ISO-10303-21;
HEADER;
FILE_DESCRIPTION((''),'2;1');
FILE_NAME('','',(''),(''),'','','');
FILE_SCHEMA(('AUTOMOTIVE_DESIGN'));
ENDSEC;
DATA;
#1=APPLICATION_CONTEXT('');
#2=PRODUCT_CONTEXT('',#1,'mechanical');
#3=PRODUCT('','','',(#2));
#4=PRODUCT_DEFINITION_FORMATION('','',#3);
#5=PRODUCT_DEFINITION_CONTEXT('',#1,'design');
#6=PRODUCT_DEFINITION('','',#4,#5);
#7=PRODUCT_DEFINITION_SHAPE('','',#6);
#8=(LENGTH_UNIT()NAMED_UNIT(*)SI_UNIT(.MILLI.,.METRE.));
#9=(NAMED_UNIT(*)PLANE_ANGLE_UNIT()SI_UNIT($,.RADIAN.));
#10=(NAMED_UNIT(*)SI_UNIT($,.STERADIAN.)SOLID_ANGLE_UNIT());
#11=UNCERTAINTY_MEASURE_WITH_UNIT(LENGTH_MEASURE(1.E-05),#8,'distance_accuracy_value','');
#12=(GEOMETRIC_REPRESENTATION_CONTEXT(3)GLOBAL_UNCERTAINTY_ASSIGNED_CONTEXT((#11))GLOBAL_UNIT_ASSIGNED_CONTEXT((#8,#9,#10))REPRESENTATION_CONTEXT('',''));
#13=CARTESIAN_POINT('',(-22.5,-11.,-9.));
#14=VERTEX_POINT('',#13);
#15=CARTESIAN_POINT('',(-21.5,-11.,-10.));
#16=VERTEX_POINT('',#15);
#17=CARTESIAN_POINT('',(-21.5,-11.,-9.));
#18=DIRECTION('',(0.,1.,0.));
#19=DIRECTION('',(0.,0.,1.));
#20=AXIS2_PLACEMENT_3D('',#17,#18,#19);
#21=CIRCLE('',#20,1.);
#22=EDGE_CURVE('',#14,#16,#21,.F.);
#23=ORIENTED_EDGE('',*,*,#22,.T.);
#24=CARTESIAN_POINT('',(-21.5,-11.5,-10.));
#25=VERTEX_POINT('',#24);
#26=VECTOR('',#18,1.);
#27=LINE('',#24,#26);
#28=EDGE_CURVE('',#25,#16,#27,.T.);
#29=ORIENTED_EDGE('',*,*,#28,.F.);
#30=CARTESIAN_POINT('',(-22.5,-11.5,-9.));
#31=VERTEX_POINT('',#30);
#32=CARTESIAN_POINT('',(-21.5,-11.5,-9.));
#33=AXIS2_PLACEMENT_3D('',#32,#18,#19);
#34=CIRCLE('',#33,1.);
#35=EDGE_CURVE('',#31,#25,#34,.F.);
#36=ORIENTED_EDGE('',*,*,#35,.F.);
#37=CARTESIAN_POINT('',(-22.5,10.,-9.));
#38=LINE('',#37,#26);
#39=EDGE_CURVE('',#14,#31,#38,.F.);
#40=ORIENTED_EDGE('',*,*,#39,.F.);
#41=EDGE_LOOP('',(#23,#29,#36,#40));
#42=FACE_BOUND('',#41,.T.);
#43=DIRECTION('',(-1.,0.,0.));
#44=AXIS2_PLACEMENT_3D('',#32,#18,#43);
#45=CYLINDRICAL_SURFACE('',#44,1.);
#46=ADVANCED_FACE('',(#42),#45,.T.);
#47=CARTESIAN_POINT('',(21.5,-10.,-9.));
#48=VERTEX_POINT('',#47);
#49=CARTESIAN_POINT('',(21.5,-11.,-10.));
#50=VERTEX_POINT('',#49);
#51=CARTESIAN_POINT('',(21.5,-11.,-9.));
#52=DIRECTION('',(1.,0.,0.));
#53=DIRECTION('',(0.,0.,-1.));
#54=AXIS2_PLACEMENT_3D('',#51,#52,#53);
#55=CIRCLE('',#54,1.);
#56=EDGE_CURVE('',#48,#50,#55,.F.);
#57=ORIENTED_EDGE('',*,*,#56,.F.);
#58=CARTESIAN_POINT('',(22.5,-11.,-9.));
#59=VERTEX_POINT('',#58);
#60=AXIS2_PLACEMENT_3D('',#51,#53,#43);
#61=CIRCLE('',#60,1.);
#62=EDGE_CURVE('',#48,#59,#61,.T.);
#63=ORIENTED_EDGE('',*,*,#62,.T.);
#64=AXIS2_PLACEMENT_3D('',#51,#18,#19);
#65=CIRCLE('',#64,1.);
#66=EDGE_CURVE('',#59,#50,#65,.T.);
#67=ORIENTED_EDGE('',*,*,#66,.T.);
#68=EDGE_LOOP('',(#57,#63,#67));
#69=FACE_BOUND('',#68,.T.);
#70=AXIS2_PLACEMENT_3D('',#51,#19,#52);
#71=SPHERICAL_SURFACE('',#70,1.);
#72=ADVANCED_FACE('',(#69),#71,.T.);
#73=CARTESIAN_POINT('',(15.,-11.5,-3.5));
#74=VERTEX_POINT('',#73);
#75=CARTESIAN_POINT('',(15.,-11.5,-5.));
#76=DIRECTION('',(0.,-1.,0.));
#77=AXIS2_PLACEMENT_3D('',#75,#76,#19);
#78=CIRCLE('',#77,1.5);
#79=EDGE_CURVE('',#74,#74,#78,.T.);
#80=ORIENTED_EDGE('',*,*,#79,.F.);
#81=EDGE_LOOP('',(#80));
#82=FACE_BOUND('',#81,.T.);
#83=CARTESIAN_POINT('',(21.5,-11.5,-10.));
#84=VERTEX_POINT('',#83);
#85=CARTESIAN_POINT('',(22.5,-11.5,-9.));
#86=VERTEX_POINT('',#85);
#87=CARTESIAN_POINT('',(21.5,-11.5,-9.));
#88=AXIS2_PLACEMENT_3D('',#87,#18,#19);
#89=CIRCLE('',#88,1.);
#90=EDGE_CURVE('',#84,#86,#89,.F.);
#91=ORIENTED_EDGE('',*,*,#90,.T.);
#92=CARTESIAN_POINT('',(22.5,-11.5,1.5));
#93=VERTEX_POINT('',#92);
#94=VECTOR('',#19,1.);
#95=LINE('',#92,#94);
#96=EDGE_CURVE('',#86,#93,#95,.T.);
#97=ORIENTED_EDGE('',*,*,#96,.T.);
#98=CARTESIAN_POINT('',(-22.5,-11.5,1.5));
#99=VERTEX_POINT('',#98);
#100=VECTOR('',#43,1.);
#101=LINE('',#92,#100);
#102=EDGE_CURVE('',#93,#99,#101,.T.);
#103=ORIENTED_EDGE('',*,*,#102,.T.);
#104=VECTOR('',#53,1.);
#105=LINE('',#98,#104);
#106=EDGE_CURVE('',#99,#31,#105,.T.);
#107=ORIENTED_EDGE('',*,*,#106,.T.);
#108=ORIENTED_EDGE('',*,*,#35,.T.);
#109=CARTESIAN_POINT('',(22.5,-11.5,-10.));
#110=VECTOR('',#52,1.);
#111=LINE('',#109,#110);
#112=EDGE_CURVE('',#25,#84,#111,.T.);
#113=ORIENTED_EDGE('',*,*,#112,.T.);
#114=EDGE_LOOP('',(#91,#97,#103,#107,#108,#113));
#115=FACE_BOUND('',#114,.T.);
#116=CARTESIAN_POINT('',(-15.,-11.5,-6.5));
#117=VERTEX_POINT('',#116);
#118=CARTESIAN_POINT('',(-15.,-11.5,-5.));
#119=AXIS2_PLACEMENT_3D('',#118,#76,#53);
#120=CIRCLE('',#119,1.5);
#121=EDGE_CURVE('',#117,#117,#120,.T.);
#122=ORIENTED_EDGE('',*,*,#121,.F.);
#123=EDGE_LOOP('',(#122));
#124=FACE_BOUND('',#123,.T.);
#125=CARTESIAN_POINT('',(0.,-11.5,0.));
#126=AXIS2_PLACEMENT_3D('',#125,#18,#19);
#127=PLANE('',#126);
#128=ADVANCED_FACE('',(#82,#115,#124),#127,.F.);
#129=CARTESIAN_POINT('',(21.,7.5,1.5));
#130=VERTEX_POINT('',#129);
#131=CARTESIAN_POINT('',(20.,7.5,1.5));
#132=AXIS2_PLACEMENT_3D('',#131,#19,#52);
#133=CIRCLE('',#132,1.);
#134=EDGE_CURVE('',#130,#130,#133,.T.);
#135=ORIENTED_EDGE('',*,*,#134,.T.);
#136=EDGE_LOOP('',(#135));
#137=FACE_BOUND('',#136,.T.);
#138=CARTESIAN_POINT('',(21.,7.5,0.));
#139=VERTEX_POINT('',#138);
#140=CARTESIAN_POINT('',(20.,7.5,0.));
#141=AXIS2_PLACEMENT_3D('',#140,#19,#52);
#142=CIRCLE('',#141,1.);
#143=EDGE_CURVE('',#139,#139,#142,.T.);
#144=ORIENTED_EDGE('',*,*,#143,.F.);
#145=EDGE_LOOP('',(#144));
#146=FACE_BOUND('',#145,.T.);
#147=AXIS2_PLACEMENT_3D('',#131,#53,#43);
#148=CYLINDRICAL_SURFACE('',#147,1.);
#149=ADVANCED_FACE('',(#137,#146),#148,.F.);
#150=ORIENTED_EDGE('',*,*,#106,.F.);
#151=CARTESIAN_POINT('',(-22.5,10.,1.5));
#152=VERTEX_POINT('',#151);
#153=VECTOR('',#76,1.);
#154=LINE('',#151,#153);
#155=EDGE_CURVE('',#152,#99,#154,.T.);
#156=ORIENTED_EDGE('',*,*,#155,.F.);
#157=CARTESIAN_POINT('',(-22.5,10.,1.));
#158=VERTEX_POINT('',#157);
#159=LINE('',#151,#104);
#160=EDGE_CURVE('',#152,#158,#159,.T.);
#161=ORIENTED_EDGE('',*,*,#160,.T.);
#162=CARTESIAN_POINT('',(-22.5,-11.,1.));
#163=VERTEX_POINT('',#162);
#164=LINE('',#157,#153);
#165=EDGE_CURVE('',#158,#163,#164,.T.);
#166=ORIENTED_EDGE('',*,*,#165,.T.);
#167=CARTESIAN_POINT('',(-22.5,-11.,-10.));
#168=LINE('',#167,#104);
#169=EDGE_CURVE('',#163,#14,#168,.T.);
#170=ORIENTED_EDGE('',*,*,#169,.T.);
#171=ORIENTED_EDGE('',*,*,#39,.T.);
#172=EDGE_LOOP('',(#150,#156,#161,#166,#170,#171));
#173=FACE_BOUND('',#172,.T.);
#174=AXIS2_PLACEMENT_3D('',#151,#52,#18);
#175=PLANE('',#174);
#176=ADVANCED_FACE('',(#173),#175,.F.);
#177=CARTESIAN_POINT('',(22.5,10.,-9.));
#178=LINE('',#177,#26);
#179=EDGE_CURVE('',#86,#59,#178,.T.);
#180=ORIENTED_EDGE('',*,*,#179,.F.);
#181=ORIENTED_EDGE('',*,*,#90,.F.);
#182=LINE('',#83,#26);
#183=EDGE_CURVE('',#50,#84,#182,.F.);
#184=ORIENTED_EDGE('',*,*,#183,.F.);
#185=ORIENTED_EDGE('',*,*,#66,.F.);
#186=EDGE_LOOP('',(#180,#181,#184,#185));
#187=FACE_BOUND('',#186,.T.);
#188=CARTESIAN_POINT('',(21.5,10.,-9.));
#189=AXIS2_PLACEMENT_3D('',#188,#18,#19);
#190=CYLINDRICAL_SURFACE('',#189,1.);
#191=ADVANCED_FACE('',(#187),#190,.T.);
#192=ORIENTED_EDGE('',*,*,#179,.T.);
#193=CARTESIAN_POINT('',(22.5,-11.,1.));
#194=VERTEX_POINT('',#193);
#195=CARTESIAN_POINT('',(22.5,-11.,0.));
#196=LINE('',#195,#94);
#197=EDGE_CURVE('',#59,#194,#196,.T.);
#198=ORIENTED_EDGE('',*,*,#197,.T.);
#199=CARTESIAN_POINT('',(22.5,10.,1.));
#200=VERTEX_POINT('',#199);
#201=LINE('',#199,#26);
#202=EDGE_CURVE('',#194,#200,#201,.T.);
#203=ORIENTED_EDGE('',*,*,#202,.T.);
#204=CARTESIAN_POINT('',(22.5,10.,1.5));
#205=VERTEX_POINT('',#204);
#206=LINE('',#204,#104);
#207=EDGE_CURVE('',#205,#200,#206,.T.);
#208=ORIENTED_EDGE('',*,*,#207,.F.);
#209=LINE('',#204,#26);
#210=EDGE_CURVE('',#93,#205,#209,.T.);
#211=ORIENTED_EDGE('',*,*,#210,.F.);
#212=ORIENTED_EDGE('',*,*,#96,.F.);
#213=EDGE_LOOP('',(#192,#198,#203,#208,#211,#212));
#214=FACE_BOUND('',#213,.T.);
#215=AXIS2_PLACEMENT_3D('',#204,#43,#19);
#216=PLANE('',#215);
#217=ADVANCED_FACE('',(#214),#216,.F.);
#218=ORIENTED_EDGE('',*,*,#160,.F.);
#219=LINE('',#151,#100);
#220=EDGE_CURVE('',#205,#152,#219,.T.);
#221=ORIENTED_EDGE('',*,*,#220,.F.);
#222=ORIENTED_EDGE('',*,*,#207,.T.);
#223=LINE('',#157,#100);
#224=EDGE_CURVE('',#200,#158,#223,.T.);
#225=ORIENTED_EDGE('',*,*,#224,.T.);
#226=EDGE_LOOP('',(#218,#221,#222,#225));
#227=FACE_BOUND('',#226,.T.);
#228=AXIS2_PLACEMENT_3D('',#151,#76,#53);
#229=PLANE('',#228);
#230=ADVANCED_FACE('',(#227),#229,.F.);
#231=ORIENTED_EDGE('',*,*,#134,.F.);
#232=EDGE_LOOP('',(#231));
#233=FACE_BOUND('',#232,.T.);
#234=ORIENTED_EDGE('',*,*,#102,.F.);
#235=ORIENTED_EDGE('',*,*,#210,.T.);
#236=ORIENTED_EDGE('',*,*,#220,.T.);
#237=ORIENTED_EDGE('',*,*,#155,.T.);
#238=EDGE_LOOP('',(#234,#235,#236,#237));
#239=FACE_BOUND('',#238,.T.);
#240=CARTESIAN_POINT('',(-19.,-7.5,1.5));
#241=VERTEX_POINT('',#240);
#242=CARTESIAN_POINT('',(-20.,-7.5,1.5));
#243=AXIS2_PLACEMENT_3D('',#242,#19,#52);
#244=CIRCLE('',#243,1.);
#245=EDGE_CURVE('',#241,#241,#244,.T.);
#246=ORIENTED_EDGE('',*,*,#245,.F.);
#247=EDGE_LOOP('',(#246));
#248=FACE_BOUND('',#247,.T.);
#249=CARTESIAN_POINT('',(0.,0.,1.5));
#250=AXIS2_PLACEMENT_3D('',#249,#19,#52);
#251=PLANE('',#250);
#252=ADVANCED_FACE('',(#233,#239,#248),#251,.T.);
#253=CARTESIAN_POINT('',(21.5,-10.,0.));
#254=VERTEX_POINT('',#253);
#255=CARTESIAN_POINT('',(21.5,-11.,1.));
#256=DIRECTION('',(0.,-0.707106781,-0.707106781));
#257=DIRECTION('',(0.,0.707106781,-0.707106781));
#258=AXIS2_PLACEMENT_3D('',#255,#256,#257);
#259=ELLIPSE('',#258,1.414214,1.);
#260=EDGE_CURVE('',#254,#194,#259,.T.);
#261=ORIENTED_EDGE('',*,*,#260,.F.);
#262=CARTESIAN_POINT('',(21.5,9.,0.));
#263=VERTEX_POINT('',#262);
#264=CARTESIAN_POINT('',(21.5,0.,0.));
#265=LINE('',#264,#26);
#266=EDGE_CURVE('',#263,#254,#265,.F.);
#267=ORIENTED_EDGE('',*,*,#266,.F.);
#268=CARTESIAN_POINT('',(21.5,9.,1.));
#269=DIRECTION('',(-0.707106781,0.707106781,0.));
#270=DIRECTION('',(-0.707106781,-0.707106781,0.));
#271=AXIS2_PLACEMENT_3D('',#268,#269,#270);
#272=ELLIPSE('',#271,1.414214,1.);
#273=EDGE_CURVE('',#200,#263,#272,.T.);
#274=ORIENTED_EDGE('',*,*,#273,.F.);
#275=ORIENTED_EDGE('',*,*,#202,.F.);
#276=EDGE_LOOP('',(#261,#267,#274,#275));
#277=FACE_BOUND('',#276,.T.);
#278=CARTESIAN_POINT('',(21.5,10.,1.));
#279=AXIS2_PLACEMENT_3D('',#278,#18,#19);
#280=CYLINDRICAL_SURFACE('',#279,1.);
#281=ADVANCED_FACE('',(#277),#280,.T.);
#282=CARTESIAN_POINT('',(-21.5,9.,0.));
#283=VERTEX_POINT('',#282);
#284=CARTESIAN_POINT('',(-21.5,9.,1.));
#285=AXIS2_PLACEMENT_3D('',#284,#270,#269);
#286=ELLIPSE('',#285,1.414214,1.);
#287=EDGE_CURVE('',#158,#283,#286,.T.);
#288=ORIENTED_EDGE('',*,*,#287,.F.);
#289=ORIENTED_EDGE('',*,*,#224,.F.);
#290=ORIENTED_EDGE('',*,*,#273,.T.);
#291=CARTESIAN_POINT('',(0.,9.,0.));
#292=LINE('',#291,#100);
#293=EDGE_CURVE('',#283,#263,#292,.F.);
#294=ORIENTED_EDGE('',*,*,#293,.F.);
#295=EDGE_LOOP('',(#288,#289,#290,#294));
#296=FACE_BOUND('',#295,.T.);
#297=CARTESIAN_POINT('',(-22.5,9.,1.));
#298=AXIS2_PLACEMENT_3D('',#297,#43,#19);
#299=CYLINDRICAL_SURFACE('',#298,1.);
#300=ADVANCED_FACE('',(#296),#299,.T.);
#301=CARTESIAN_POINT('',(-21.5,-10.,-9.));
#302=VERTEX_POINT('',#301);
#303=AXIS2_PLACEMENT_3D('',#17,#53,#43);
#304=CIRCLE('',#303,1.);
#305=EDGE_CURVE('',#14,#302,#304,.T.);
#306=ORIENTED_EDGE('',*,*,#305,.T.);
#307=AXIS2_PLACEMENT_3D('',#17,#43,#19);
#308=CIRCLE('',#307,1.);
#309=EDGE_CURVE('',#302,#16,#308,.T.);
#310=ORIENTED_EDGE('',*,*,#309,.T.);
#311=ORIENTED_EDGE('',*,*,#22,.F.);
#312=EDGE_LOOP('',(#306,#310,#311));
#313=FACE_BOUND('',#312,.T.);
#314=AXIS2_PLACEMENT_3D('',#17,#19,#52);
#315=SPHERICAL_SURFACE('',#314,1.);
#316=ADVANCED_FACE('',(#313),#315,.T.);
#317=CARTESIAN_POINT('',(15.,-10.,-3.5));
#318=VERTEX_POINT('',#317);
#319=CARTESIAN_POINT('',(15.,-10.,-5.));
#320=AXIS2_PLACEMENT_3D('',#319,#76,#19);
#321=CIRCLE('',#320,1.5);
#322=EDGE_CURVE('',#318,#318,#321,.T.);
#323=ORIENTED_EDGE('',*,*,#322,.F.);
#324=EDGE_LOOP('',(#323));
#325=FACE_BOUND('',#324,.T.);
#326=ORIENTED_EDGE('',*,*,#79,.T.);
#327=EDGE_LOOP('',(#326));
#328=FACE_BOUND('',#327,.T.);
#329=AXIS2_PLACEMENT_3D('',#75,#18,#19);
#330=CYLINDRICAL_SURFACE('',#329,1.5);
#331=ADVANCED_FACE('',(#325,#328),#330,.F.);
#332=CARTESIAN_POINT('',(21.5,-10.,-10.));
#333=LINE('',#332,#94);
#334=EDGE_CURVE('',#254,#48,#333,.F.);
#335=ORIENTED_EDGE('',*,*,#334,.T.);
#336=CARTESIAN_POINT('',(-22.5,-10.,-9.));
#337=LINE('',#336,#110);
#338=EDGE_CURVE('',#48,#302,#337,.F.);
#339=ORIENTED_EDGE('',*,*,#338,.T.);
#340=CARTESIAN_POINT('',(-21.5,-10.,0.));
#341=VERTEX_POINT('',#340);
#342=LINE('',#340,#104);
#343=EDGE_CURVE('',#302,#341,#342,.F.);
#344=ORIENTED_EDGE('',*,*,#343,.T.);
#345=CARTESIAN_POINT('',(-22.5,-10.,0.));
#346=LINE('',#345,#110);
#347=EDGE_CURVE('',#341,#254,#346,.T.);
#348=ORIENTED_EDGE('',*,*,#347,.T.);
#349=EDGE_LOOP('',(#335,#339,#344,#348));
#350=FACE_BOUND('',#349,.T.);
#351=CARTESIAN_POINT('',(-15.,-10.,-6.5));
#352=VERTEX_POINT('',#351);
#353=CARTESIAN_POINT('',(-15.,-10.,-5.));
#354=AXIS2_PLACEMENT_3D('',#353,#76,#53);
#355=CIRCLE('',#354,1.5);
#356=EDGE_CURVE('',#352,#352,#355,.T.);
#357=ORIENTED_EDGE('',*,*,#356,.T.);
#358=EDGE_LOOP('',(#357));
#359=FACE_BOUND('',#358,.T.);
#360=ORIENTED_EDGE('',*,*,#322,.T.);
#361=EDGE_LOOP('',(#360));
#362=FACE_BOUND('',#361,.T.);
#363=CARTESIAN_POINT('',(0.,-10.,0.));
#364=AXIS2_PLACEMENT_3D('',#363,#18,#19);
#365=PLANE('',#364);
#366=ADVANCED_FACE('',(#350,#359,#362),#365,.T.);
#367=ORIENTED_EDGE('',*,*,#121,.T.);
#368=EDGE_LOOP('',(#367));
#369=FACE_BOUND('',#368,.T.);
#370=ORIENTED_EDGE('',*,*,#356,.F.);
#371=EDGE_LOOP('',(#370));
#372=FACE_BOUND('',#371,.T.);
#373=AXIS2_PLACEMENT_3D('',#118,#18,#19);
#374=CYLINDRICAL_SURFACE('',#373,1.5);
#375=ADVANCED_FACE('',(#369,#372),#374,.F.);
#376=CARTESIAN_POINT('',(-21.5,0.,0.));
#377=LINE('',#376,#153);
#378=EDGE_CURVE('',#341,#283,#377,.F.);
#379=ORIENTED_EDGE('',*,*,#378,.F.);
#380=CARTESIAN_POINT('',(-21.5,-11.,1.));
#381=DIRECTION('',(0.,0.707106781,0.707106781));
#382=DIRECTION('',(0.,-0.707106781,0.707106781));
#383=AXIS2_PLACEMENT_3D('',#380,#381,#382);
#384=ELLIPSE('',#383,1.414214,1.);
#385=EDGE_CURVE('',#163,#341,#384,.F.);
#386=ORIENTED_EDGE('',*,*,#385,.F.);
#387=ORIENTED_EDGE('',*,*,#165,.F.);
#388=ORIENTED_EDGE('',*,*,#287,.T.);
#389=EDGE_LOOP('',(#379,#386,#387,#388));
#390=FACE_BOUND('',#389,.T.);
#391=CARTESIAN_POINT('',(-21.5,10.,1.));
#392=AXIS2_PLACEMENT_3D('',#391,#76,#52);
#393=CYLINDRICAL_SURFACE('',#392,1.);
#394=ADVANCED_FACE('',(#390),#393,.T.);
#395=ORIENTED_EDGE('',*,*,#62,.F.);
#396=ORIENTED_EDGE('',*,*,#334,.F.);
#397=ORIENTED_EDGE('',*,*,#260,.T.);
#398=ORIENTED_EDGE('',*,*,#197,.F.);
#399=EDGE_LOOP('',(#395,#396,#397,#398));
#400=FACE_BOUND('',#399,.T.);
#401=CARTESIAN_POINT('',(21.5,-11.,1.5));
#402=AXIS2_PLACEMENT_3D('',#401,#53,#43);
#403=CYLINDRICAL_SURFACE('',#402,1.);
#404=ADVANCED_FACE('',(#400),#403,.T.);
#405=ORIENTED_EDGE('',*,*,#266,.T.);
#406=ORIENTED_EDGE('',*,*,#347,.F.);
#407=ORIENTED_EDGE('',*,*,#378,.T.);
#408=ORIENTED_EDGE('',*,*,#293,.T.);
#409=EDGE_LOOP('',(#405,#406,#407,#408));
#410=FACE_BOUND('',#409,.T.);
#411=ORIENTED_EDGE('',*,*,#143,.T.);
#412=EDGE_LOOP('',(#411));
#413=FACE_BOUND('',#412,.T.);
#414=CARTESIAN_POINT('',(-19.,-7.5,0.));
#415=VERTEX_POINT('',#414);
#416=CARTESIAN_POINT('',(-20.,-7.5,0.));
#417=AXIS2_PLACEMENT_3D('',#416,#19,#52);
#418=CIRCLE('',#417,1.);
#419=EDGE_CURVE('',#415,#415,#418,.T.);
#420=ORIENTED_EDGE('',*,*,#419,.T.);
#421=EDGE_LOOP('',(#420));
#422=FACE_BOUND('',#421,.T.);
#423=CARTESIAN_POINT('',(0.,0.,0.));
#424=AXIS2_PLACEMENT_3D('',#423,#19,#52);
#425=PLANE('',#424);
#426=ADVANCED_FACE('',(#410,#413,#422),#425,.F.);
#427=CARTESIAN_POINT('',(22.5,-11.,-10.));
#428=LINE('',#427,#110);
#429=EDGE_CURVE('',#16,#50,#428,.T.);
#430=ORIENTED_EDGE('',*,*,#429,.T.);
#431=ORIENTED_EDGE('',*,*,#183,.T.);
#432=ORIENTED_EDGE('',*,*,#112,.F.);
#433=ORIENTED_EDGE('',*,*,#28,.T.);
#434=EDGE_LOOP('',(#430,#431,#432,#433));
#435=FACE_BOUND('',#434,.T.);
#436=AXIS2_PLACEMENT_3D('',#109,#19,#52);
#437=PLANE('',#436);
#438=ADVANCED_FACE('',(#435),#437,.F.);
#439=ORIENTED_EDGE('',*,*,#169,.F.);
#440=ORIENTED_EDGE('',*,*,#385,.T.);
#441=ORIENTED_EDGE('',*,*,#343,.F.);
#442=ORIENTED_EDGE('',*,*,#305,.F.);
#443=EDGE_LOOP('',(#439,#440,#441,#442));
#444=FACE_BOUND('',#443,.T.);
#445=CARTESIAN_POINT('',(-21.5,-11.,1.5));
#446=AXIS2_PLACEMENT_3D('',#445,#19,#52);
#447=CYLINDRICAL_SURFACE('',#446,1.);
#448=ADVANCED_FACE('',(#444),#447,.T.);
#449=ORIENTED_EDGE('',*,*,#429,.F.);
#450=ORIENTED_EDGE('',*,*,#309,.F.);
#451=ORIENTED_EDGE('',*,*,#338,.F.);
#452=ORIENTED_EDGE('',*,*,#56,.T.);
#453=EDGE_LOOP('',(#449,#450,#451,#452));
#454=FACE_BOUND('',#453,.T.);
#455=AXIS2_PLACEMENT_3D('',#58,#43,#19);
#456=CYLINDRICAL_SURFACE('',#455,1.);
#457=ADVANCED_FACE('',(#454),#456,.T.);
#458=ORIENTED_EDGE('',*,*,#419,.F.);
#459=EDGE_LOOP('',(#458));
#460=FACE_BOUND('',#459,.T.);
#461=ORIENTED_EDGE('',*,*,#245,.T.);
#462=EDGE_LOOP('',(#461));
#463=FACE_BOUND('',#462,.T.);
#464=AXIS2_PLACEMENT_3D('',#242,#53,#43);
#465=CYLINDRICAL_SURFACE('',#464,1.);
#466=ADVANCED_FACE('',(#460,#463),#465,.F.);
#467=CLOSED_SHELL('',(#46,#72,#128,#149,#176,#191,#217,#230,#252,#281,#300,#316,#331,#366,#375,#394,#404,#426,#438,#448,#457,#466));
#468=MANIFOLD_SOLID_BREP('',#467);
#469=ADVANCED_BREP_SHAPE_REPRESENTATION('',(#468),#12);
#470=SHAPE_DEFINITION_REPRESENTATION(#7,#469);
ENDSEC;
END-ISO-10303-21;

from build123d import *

# Parameters (mm, degrees)
SKETCH1_W           = 45
SKETCH1_H           = 20
SKETCH1_R           = 1
BOSS_EXTRUDE1_DEPTH = 1.5
SKETCH2_W           = 45
SKETCH2_H           = 11.5
SKETCH2_R           = 1.5
BOSS_EXTRUDE2_DEPTH = 1.5
FILLET1_R           = 1


with BuildPart() as part:
    # Sketch1 → Boss-Extrude1 (new body)
    with BuildSketch(Plane.XY):
        Rectangle(SKETCH1_W, SKETCH1_H)
        with Locations((20, 7.5)):
            Circle(SKETCH1_R, mode=Mode.SUBTRACT)
        with Locations((-20, -7.5)):
            Circle(SKETCH1_R, mode=Mode.SUBTRACT)
    extrude(amount=BOSS_EXTRUDE1_DEPTH)

    # Sketch2 → Boss-Extrude2 (add)
    with BuildSketch(Plane.XZ.offset(10)):
        with Locations((0, -4.25)):
            Rectangle(SKETCH2_W, SKETCH2_H)
        with Locations((-15, -5)):
            Circle(SKETCH2_R, mode=Mode.SUBTRACT)
        with Locations((15, -5)):
            Circle(SKETCH2_R, mode=Mode.SUBTRACT)
    extrude(amount=BOSS_EXTRUDE2_DEPTH)

    # Fillet1
    fillet1_edges = [part.edges().sort_by_distance(p)[0] for p in [
        (22.5, -10, -5),
        (22.5, -10.75, -10),
        (-22.5, -10, -5),
        (0, -10, -10),
        (-22.5, -10.75, -10),
        (0, 10, 0),
        (22.5, 0, 0),
        (-22.5, 0, 0),
    ]]
    fillet(fillet1_edges, radius=FILLET1_R)


solid = part.part
